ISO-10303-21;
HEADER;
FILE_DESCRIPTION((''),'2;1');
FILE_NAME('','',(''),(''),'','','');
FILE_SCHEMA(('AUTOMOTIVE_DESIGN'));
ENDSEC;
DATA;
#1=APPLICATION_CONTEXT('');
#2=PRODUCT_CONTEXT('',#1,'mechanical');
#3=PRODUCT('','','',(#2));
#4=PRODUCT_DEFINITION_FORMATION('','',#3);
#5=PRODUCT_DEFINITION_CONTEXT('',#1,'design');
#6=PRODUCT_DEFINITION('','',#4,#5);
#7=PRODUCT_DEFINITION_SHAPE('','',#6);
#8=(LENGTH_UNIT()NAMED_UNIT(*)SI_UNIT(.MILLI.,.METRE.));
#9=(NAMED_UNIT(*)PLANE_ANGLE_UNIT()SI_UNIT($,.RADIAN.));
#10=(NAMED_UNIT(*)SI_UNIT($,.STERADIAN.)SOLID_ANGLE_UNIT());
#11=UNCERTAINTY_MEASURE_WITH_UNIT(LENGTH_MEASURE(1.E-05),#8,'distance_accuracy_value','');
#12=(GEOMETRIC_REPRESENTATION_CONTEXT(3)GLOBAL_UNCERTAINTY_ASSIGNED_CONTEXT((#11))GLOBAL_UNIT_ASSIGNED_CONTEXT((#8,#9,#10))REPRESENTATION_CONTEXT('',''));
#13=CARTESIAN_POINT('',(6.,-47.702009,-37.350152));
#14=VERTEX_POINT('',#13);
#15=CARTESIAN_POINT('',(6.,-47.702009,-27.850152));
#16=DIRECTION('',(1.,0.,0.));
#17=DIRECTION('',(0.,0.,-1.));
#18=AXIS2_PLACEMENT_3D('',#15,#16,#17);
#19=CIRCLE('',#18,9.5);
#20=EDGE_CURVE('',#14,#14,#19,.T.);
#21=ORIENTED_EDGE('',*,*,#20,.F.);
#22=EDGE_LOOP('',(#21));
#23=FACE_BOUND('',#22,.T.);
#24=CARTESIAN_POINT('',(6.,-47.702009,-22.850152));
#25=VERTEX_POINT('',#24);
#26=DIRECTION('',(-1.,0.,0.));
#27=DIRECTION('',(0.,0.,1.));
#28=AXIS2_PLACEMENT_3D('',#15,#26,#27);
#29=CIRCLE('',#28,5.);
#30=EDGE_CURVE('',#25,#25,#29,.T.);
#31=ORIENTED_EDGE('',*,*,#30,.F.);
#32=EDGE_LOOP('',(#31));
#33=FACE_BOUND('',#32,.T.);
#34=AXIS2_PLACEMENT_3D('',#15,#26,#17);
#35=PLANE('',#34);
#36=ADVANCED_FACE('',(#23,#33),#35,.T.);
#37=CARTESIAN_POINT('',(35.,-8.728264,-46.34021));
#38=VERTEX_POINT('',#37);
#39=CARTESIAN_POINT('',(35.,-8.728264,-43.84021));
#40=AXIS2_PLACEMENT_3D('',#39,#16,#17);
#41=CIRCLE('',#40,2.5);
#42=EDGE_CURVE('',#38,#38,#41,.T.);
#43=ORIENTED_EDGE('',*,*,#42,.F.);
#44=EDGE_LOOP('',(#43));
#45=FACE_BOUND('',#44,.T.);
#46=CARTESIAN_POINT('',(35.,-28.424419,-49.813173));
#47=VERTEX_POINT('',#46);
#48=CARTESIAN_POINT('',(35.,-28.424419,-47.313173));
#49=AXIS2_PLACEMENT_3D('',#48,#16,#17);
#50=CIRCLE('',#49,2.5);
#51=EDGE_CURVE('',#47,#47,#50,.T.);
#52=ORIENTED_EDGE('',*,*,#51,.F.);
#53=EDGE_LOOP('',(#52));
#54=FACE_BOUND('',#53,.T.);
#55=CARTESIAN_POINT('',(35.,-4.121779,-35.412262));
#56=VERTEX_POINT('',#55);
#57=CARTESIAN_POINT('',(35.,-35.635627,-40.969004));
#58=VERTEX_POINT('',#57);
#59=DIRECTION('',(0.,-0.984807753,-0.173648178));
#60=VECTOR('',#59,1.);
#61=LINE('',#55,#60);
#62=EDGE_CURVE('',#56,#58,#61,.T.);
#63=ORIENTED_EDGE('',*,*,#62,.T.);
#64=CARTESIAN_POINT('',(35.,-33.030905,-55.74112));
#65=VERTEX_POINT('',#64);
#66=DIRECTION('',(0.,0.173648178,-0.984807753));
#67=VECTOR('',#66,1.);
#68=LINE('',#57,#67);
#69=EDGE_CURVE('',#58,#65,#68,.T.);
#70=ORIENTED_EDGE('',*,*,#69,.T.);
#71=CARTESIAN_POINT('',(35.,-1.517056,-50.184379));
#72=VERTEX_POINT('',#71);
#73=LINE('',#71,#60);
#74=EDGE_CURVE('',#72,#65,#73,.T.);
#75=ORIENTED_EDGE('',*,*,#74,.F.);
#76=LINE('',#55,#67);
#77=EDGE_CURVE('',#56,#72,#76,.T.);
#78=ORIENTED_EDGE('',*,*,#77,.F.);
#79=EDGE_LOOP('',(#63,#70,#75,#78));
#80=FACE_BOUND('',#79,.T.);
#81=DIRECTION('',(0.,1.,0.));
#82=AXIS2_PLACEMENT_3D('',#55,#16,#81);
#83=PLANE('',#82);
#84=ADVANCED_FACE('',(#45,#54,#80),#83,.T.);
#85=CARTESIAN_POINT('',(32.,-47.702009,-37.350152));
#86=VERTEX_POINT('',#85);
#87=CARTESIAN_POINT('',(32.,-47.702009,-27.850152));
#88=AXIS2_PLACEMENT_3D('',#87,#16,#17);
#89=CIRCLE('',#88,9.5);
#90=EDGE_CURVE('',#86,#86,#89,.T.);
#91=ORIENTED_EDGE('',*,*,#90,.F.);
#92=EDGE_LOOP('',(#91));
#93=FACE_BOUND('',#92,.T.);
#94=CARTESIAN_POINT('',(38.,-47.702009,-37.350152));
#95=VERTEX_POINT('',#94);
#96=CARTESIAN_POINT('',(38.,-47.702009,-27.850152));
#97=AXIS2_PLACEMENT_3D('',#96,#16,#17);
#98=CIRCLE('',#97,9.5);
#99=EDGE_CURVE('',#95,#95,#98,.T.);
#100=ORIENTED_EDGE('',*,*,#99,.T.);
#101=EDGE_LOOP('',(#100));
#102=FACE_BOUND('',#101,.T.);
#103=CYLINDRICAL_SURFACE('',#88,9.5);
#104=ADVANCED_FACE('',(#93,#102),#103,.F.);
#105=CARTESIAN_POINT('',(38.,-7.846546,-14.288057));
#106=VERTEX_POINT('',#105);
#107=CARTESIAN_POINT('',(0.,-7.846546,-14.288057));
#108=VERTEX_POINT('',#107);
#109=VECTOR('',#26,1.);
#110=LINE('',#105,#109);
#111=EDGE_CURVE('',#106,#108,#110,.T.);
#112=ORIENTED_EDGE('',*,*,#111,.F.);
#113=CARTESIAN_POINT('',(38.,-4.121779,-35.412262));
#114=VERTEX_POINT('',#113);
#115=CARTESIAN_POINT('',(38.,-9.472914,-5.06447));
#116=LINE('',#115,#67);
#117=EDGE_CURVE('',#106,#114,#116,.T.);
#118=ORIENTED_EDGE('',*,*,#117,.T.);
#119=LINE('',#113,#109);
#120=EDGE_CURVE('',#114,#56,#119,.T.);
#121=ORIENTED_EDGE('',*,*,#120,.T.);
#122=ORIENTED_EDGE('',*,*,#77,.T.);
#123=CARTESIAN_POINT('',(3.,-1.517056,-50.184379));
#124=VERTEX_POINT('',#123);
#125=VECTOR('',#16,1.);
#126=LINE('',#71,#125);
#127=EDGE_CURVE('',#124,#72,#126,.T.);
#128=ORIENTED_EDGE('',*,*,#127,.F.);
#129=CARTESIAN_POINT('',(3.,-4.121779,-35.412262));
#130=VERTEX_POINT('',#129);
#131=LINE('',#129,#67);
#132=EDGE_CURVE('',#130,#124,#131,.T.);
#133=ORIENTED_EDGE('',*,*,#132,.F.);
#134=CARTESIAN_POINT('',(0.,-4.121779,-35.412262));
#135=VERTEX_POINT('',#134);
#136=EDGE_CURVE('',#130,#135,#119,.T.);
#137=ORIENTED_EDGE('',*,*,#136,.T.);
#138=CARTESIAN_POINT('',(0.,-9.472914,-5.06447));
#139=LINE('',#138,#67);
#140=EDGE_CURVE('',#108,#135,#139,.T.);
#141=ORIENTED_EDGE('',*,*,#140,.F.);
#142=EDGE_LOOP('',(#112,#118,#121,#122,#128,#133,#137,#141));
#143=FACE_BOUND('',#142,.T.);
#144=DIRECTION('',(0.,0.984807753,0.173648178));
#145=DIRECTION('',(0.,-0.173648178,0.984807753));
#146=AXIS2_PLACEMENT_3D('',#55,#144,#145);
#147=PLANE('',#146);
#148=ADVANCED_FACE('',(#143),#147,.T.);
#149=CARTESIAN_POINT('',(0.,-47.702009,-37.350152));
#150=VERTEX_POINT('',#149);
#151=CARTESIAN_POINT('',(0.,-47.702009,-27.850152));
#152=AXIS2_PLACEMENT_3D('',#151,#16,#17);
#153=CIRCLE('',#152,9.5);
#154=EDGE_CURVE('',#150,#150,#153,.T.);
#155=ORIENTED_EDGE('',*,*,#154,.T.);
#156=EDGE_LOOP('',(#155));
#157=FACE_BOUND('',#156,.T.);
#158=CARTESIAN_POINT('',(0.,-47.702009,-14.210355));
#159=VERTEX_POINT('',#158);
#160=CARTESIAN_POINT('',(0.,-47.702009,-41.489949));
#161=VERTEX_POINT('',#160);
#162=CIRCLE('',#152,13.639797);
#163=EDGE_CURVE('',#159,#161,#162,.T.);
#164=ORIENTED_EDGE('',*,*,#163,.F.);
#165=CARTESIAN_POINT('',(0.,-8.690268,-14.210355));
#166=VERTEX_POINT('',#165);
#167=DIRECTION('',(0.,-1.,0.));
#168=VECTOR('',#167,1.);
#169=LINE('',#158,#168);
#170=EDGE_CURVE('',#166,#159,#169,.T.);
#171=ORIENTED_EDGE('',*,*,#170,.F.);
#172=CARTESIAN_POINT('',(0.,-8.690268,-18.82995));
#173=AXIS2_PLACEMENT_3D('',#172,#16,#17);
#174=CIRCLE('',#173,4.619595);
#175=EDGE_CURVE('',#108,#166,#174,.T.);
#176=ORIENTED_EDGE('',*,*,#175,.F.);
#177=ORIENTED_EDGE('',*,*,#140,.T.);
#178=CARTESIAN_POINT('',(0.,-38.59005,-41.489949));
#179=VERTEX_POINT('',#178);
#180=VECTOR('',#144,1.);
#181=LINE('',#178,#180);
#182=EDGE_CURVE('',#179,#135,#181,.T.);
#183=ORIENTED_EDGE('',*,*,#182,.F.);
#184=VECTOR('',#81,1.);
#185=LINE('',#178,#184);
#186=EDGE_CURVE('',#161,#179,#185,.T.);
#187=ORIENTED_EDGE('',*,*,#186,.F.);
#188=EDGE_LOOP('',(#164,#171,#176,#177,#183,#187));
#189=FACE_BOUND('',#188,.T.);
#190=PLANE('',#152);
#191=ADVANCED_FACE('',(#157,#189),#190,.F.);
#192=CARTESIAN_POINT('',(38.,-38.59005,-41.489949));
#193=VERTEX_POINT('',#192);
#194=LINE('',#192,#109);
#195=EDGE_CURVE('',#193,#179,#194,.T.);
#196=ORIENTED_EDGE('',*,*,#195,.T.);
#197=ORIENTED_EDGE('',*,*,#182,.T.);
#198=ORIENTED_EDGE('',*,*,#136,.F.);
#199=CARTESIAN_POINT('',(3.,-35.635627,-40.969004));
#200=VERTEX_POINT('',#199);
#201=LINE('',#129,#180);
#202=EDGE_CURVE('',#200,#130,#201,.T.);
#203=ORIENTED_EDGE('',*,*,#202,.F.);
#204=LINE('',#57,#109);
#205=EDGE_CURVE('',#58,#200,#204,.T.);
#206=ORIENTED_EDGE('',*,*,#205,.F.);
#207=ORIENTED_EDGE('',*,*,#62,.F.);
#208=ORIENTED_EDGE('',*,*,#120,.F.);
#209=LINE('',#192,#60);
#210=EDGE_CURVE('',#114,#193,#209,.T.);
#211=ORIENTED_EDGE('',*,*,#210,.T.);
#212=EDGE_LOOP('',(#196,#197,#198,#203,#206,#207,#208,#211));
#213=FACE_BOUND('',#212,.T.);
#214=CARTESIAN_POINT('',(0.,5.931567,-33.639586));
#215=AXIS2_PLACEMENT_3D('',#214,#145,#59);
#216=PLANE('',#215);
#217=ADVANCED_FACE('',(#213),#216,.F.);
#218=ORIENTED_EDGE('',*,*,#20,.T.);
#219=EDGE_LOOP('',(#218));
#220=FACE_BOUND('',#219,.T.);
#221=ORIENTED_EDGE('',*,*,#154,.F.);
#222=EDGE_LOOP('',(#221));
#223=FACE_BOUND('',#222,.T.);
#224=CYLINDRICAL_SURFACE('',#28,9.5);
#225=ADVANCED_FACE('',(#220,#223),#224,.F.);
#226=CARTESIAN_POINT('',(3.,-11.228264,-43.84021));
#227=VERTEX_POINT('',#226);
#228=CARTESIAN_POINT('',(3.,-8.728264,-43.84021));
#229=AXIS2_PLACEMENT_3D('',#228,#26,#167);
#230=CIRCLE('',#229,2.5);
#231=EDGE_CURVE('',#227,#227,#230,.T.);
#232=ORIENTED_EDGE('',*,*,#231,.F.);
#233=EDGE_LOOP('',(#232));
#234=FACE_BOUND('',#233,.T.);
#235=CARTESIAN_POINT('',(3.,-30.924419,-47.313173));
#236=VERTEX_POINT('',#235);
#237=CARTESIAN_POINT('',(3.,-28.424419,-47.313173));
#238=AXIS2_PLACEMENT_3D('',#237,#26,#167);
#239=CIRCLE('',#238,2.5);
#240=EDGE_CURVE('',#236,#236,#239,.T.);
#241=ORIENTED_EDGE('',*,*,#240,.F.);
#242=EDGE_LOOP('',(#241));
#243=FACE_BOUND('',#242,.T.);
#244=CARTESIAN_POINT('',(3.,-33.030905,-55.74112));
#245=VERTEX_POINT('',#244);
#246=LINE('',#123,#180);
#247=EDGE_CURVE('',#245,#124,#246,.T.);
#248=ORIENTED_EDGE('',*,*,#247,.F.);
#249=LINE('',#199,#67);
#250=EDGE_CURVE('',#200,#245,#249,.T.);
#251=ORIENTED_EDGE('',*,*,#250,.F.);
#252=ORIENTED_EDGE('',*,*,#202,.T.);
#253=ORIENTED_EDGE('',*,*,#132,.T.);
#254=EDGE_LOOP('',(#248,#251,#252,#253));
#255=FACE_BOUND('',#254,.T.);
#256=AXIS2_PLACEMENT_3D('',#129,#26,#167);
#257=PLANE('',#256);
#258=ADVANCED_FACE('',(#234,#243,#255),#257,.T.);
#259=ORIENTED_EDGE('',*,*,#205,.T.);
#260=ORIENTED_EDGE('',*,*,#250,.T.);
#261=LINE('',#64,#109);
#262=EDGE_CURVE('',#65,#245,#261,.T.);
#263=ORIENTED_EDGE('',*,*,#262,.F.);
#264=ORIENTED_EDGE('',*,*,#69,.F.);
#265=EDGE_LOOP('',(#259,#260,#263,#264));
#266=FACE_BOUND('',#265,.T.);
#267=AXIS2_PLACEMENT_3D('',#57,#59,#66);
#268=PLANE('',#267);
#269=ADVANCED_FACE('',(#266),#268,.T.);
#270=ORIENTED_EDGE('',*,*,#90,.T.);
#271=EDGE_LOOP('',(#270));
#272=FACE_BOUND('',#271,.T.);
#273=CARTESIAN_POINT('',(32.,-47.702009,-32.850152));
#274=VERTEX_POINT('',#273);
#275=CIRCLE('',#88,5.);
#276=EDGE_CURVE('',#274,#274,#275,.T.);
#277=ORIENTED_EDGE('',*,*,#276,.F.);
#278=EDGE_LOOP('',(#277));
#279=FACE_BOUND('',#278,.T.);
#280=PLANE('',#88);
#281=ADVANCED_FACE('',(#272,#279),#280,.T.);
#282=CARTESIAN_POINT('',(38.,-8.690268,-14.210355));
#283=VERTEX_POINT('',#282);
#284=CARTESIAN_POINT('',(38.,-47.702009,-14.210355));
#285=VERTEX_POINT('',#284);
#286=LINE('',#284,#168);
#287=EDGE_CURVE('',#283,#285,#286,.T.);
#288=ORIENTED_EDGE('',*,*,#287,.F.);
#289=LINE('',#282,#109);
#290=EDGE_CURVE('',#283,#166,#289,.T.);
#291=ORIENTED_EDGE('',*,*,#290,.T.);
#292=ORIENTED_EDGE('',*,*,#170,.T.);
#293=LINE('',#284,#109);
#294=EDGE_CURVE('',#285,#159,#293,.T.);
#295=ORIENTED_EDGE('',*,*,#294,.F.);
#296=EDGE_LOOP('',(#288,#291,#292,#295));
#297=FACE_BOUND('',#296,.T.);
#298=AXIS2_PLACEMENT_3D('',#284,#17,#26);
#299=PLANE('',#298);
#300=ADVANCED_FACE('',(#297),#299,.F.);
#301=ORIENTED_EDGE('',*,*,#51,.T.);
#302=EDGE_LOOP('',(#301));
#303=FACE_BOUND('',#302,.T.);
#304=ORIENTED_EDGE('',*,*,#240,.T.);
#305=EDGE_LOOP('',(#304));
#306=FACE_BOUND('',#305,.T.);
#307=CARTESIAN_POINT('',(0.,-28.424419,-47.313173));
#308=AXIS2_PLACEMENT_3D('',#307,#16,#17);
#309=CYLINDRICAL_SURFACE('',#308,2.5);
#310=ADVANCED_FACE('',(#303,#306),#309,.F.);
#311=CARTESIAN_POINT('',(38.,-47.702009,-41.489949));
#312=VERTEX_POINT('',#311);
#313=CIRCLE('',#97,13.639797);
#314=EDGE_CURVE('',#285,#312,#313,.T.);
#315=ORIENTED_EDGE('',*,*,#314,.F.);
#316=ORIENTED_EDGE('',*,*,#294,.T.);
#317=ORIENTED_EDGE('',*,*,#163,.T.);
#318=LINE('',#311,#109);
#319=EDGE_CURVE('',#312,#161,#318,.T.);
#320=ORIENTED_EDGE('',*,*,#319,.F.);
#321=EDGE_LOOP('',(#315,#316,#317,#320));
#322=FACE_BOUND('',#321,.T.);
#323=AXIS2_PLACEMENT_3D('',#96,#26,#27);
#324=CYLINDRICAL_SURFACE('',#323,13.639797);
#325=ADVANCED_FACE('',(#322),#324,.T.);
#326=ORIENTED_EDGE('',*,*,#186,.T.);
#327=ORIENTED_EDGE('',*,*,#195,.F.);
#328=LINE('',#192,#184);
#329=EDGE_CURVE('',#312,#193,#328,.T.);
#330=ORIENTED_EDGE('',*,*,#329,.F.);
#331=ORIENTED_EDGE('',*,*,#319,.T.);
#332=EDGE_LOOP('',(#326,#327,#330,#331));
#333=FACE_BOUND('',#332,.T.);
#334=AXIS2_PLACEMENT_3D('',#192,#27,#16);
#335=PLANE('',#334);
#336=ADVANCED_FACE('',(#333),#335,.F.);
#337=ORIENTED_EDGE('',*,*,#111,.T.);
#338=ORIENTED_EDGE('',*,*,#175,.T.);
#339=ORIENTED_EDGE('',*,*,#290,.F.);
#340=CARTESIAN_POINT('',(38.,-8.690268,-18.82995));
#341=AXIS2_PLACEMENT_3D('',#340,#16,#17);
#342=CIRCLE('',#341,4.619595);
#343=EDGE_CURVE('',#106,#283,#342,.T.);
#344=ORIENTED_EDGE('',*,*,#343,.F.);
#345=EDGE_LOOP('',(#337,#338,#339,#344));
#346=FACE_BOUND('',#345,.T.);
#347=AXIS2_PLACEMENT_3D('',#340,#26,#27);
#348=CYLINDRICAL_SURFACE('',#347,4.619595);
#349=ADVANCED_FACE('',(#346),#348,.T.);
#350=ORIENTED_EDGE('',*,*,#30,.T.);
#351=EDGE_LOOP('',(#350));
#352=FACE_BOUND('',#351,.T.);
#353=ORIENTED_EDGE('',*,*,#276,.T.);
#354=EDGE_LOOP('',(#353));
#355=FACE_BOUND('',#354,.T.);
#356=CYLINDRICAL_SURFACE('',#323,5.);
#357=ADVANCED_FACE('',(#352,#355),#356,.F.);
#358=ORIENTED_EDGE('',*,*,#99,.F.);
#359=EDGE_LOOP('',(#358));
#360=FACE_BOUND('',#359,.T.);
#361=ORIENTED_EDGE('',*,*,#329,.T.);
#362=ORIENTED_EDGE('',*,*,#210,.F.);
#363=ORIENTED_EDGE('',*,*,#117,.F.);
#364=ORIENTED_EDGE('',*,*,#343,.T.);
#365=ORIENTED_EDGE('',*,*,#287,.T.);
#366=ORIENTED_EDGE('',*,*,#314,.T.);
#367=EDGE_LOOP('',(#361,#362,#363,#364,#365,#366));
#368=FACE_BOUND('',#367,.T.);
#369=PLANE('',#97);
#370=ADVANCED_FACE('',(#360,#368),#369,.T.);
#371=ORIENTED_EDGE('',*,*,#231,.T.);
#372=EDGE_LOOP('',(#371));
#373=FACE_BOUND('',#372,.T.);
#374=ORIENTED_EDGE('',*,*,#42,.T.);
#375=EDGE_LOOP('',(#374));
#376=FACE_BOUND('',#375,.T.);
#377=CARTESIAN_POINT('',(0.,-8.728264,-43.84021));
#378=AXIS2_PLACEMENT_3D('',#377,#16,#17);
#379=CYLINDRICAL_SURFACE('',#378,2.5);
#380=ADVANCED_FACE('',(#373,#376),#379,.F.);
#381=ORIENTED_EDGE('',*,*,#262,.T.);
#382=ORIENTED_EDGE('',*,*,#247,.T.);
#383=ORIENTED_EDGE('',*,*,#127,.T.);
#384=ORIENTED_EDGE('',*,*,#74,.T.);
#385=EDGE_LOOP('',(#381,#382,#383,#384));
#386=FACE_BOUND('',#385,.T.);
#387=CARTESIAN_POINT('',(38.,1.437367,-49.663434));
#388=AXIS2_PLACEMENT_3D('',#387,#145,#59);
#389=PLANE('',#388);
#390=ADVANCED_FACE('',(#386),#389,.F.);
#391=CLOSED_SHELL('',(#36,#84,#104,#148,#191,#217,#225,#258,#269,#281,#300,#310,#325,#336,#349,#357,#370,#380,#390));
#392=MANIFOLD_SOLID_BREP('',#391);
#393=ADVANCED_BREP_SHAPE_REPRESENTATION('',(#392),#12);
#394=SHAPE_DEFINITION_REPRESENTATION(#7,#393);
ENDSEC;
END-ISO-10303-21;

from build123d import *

# Parameters (mm, degrees)
SKETCH1_R           = 5
BOSS_EXTRUDE1_DEPTH = 38
SKETCH2_R           = 9.5
CUT_EXTRUDE1_DEPTH  = 6
SKETCH3_W           = 38
SKETCH3_H           = 38
SKETCH3_W_2         = 32
SKETCH3_H_2         = 32
CUT_EXTRUDE2_DEPTH  = 15
SKETCH4_W           = 38
SKETCH4_H           = 3
CUT_EXTRUDE3_DEPTH  = 31.815956095
SKETCH6_R           = 2.5
CUT_EXTRUDE4_DEPTH  = 36


with BuildPart() as part:
    # Sketch1 → Boss-Extrude1 (new body)
    with BuildSketch(Plane(origin=(0, 0, 0), x_dir=(0, 0, -1), z_dir=(1, 0, 0))):
        with BuildLine():
            Line((18.027765774, -4.140855059), (49.663434225, 1.437366842))
            Line((49.663434225, 1.437366842), (56.262064976, -35.985327773))
            Line((56.262064976, -35.985327773), (41.489948681, -38.590050438))
            Line((41.489948681, -38.590050438), (41.489948681, -47.702008996))
            ThreePointArc((41.489948681, -47.702008996), (27.850151899, -61.341805778), (14.210355117, -47.702008996))
            Line((14.210355117, -47.702008996), (14.210355117, -8.690267924))
            ThreePointArc((14.210355117, -8.690267924), (15.291135012, -5.720849566), (18.027765774, -4.140855059))
        make_face()
        with Locations((27.850151899, -47.702008996)):
            Circle(SKETCH1_R, mode=Mode.SUBTRACT)
    extrude(amount=BOSS_EXTRUDE1_DEPTH)

    # Sketch2 → Cut-Extrude1 (cut)
    with BuildSketch(Plane(origin=(38, 0, 0), x_dir=(0, 0, -1), z_dir=(1, 0, 0))):
        with Locations((27.850151899, -47.702008996)):
            Circle(SKETCH2_R)
    cut_extrude1 = extrude(amount=-CUT_EXTRUDE1_DEPTH, mode=Mode.SUBTRACT)

    # Mirror1: Cut-Extrude1 across plane
    add(cut_extrude1.mirror(Plane(origin=(19, 0, 0), x_dir=(0, 0, 1), z_dir=(1, 0, 0))), mode=Mode.SUBTRACT)

    # Sketch3 → Cut-Extrude2 (cut)
    with BuildSketch(Plane(origin=(0, 8.536289359, -48.411702651), x_dir=(-1, 0, 0), z_dir=(0, 0.173648178, -0.984807753))):
        with Locations((-19, -26.20843484)):
            Rectangle(SKETCH3_W, SKETCH3_H)
        with Locations((-19, -26.20843484)):
            Rectangle(SKETCH3_W_2, SKETCH3_H_2, mode=Mode.SUBTRACT)
    extrude(amount=-CUT_EXTRUDE2_DEPTH, mode=Mode.SUBTRACT)

    # Sketch4 → Cut-Extrude3 (cut, through all)
    with BuildSketch(Plane(origin=(0, 5.931566694, -33.639586356), x_dir=(-1, 0, 0), z_dir=(0, 0.173648178, -0.984807753))):
        with Locations((-19, -8.70843484)):
            Rectangle(SKETCH4_W, SKETCH4_H)
    extrude(amount=-CUT_EXTRUDE3_DEPTH, mode=Mode.SUBTRACT)

    # Sketch6 → Cut-Extrude4 (cut, through all)
    with BuildSketch(Plane(origin=(35, 0, 0), x_dir=(0, 0, -1), z_dir=(1, 0, 0))):
        with Locations((43.840209676, -8.728264268)):
            Circle(SKETCH6_R)
        with Locations((47.31317323, -28.424419328)):
            Circle(SKETCH6_R)
    extrude(amount=-CUT_EXTRUDE4_DEPTH, mode=Mode.SUBTRACT)


solid = part.part
